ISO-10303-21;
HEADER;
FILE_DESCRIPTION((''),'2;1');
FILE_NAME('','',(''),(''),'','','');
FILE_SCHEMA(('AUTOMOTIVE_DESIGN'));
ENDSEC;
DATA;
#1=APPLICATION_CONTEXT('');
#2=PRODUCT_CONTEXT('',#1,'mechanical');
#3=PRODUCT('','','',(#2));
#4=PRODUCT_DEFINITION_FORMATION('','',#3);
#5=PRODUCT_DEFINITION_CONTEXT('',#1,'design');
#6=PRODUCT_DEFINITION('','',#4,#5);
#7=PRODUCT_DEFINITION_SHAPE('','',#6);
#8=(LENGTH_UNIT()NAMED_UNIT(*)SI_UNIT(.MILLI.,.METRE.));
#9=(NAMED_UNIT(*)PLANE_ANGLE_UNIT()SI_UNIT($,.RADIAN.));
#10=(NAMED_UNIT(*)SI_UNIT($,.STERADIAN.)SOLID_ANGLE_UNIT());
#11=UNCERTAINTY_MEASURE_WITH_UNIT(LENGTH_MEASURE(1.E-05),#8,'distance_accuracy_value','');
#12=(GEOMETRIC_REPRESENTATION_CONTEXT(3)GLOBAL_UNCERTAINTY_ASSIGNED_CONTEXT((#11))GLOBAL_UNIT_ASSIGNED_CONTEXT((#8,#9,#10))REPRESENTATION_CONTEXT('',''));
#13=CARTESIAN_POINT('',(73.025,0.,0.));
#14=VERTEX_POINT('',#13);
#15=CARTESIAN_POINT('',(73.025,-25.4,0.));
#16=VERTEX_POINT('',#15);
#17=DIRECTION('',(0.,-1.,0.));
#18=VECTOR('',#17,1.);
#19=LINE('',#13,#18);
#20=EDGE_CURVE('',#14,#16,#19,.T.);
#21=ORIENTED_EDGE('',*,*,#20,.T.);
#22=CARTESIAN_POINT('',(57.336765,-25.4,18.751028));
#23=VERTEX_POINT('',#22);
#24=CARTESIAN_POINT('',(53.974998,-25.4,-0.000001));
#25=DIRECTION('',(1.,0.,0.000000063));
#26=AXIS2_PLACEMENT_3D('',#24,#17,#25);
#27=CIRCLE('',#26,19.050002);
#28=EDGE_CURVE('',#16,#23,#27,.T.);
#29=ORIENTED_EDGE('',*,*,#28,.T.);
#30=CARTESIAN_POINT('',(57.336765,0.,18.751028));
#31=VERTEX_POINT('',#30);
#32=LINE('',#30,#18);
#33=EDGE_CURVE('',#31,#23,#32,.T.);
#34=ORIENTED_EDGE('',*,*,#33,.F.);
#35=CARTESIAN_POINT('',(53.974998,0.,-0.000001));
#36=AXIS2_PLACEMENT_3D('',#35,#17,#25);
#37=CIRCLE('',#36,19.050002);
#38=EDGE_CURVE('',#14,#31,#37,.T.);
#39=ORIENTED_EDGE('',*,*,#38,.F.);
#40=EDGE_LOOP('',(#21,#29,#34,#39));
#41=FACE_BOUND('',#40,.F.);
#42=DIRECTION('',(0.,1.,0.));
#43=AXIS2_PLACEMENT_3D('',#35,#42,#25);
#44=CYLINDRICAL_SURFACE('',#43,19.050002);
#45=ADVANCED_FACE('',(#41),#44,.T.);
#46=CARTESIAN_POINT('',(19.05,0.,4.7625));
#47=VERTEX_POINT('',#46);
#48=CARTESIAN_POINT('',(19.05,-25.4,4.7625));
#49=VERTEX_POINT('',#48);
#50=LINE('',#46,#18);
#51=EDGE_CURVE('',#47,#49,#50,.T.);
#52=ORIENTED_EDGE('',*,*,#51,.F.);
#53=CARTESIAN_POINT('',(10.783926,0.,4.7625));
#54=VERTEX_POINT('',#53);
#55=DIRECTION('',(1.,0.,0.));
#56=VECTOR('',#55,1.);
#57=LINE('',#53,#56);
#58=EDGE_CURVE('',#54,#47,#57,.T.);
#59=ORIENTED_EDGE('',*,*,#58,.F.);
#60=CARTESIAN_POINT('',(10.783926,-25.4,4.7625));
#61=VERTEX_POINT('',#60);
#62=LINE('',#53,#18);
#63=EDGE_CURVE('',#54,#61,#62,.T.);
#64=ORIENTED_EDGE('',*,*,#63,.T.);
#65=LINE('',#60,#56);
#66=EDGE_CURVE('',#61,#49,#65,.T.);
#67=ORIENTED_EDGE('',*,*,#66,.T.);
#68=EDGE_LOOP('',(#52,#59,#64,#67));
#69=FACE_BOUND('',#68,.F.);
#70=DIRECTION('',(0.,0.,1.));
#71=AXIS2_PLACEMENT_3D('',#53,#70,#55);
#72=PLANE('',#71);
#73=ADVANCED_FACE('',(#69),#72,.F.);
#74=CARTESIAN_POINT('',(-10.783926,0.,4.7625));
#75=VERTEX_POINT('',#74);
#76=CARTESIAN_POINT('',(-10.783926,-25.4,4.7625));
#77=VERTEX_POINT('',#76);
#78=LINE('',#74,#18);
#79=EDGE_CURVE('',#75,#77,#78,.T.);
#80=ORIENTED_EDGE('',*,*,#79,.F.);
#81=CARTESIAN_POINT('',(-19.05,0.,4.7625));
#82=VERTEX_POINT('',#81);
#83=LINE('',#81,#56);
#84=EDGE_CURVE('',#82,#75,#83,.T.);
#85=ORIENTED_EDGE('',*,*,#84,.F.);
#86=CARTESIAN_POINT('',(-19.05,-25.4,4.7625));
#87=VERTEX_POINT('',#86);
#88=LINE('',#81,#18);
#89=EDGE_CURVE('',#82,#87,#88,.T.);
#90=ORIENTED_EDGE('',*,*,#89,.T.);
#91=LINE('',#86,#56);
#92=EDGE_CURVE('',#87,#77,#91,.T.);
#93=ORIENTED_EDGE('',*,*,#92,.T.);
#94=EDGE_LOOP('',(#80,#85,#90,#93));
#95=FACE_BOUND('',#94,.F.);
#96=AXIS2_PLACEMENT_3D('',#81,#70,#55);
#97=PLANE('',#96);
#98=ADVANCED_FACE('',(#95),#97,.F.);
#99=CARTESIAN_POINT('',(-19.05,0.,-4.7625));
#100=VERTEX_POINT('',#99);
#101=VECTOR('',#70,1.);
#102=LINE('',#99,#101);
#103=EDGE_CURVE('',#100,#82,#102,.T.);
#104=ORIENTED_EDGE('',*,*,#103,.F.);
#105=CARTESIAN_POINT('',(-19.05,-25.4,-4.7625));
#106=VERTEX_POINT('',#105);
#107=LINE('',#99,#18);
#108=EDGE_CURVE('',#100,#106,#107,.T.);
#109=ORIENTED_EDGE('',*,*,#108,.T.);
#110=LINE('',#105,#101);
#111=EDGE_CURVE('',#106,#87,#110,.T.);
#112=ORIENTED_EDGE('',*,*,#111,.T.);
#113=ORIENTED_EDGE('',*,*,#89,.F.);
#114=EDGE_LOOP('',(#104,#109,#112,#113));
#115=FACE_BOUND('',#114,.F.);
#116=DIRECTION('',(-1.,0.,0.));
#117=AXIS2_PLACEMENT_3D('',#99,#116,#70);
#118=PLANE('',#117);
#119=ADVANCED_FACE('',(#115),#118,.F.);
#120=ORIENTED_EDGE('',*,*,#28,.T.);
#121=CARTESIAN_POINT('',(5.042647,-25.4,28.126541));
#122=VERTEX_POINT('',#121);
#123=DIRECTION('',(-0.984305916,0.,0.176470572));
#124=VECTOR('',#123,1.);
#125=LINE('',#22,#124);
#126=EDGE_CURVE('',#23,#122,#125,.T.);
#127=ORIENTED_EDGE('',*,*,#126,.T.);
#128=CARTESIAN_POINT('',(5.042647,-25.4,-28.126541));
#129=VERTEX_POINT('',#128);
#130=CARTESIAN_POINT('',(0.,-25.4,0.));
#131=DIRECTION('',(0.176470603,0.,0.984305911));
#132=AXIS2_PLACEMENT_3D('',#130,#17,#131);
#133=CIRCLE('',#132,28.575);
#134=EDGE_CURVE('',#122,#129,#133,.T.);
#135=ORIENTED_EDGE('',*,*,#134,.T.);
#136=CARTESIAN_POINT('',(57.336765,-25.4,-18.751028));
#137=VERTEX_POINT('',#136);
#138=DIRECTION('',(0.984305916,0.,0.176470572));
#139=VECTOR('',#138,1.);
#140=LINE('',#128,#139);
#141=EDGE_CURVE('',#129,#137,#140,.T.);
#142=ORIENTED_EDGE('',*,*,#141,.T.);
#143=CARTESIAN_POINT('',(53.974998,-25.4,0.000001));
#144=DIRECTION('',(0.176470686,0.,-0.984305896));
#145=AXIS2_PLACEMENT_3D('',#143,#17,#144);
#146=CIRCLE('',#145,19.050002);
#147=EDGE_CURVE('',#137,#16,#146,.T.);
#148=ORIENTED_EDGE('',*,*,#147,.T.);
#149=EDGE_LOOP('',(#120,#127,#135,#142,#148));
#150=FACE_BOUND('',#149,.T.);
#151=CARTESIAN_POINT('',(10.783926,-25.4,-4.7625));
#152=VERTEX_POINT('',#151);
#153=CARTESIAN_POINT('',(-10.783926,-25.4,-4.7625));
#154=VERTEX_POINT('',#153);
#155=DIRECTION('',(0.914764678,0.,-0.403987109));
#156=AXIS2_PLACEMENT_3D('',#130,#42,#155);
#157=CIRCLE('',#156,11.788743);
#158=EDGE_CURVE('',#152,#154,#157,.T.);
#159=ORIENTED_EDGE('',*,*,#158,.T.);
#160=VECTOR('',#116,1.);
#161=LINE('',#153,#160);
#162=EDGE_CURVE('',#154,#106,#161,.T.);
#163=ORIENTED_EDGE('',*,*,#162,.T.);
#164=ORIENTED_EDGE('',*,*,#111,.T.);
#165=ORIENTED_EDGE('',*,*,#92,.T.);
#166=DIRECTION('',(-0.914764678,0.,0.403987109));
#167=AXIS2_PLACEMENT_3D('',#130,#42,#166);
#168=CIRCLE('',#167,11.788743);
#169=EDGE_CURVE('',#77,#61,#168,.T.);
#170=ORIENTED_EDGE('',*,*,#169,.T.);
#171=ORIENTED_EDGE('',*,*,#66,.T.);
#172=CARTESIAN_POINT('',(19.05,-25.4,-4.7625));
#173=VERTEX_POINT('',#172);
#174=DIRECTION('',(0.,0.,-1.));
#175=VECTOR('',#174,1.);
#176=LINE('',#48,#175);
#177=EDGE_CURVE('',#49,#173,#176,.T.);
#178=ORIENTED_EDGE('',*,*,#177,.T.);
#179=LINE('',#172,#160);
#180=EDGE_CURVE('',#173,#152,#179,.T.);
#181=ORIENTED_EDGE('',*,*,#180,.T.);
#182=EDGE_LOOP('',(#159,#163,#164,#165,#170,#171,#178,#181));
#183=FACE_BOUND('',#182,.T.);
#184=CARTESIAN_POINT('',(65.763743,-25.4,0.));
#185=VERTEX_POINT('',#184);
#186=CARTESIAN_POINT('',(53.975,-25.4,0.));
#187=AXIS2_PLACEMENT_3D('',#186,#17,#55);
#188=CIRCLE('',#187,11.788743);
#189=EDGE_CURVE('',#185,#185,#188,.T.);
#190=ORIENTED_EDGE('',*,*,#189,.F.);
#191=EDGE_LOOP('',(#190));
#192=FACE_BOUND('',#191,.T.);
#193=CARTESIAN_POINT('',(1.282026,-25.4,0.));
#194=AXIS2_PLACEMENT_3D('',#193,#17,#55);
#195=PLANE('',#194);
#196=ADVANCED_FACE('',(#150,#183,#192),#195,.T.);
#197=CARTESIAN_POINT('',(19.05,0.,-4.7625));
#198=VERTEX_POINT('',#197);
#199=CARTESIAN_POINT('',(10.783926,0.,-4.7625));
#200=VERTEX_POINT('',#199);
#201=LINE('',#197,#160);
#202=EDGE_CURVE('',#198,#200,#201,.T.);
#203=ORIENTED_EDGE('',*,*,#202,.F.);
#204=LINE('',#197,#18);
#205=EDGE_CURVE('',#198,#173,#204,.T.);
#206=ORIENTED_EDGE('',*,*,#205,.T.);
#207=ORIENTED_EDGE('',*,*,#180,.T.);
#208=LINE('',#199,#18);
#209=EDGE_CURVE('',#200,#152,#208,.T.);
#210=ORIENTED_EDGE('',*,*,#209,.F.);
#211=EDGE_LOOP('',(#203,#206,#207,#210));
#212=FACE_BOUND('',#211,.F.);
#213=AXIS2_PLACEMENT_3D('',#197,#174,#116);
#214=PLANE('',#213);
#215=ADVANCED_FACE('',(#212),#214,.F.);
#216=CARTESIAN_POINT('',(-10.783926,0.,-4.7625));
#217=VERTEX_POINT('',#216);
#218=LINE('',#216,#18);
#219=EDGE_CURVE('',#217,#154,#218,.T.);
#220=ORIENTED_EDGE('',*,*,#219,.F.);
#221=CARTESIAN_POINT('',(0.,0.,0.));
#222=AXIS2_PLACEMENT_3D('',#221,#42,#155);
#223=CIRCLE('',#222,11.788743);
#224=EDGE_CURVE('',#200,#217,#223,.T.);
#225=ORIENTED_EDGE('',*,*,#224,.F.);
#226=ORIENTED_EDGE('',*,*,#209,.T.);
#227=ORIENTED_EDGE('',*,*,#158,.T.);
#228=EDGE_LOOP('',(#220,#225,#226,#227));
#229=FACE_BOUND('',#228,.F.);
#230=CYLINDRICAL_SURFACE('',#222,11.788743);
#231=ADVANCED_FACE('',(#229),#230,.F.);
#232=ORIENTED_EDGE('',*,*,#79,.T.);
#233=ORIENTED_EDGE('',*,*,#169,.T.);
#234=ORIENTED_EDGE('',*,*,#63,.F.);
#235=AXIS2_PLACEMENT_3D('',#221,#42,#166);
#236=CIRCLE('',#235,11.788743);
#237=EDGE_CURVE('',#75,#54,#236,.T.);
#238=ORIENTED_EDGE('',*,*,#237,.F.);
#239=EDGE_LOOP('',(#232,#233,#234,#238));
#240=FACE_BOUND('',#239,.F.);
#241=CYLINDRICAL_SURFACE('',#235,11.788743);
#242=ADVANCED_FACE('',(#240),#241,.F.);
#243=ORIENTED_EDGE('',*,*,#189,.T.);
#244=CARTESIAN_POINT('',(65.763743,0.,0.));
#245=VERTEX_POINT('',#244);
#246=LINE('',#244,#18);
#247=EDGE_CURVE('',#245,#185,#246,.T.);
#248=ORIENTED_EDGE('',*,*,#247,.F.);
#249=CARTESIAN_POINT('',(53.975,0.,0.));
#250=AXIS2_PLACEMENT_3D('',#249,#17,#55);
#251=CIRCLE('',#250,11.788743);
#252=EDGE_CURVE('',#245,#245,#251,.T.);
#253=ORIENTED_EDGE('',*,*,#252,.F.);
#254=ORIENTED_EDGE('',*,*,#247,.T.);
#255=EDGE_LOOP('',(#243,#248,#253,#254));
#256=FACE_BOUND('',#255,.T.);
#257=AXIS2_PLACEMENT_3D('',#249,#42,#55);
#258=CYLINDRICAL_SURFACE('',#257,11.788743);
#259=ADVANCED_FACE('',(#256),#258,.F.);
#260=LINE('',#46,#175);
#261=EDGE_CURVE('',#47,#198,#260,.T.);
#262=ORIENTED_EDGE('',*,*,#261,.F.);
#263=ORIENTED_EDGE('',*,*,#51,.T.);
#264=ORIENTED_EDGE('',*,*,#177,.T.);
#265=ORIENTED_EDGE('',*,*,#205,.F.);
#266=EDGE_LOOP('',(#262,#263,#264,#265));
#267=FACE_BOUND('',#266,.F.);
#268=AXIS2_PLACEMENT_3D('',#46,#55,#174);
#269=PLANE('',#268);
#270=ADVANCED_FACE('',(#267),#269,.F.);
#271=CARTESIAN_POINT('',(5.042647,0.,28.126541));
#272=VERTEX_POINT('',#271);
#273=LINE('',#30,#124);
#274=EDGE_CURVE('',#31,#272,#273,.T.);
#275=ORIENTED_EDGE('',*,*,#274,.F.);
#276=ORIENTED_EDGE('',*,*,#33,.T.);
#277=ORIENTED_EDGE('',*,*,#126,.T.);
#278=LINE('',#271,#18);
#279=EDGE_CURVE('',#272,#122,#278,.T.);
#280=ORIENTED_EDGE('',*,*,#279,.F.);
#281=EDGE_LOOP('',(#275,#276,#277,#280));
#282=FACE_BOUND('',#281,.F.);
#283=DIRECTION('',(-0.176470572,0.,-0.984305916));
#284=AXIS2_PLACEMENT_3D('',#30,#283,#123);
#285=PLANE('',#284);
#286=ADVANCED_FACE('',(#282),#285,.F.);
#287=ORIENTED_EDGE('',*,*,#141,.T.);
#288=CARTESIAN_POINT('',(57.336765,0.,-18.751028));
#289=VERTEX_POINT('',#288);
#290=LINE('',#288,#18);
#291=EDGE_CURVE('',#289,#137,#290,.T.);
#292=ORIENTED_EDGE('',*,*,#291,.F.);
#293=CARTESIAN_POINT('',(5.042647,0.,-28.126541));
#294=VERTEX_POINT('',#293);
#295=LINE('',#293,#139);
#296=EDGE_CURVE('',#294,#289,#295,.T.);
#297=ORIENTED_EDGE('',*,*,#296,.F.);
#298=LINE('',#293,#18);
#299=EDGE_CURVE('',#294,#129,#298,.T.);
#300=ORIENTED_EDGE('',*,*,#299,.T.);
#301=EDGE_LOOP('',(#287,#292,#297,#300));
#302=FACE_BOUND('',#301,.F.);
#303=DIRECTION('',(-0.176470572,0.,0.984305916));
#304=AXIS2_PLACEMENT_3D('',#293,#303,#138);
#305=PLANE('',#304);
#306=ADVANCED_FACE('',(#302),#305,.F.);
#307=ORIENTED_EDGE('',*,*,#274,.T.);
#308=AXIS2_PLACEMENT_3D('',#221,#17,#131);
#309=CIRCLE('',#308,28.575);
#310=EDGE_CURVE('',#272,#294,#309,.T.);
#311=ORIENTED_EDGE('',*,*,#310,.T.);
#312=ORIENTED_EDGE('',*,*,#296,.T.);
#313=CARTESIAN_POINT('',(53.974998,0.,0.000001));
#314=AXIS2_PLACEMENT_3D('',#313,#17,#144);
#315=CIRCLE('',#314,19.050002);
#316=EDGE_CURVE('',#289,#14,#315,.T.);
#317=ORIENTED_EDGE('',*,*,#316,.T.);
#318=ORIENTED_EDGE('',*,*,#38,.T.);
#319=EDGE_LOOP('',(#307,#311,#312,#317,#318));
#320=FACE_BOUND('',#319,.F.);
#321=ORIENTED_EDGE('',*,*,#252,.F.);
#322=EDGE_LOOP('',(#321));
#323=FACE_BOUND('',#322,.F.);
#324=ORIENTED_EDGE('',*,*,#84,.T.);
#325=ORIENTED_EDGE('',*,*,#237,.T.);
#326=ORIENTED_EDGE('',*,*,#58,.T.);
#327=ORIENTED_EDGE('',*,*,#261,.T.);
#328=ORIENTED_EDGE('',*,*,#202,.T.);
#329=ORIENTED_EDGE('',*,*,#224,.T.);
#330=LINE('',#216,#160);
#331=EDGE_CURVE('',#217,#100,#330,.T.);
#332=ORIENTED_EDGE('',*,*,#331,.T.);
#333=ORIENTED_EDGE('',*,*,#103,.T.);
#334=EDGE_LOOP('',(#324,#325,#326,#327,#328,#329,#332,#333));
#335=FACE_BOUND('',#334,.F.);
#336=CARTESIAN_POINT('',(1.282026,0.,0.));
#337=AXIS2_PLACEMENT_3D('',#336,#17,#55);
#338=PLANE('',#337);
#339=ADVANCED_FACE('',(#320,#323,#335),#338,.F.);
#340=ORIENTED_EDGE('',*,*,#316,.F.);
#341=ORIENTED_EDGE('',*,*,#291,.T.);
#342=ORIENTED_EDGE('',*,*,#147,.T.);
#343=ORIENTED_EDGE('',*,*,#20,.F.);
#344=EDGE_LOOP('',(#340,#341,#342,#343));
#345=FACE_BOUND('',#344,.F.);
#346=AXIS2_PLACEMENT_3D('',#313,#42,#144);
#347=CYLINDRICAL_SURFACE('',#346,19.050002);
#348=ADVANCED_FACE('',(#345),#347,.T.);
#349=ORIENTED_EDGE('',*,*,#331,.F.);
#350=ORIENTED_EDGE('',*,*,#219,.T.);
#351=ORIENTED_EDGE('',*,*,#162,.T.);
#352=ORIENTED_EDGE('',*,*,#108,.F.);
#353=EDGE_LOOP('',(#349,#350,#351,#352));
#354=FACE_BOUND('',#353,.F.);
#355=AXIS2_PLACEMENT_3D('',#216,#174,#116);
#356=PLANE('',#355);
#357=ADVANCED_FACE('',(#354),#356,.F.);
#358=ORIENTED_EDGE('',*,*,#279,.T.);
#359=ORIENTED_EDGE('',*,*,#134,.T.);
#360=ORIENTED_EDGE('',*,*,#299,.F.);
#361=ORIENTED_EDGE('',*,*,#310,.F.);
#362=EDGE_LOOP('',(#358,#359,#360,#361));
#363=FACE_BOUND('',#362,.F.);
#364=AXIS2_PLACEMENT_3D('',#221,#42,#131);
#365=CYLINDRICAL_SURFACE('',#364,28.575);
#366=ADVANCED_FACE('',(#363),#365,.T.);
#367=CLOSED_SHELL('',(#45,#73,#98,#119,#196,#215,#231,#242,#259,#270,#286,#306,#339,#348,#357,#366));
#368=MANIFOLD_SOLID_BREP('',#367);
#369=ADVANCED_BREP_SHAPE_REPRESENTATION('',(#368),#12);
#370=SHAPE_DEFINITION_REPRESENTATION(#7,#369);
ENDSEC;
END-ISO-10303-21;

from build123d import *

# Parameters (mm, degrees)
F0_R     = 11.788743
F1_DEPTH = 25.4


with BuildPart() as f1:
    # F0 (on Front) → F1 (new body)
    with BuildSketch(Plane.XZ):
        with BuildLine():
            ThreePointArc((5.042647, -28.126541), (21.916025, -18.336262), (28.575, 0))
            ThreePointArc((28.575, 0), (21.916025, 18.336262), (5.042647, 28.126541))
            ThreePointArc((5.042647, 28.126541), (-28.575, 0), (5.042647, -28.126541))
        make_face()
        with BuildLine():
            ThreePointArc((-10.783926, 4.7625), (0, 11.788743), (10.783926, 4.7625))
            Line((10.783926, 4.7625), (19.05, 4.7625))
            Line((19.05, 4.7625), (19.05, -4.7625))
            Line((19.05, -4.7625), (10.783926, -4.7625))
            ThreePointArc((10.783926, -4.7625), (0, -11.788743), (-10.783926, -4.7625))
            Line((-10.783926, -4.7625), (-19.05, -4.7625))
            Line((-19.05, -4.7625), (-19.05, 4.7625))
            Line((-19.05, 4.7625), (-10.783926, 4.7625))
        make_face(mode=Mode.SUBTRACT)
        with BuildLine():
            ThreePointArc((5.042647, 28.126541), (21.916025, 18.336262), (28.575, 0))
            ThreePointArc((28.575, 0), (21.916025, -18.336262), (5.042647, -28.126541))
            Line((5.042647, -28.126541), (57.336765, -18.751028))
            ThreePointArc((57.336765, -18.751028), (34.925, 0), (57.336765, 18.751028))
            Line((57.336765, 18.751028), (5.042647, 28.126541))
        make_face()
        with BuildLine():
            ThreePointArc((73.025, 0), (68.585683, 12.224174), (57.336765, 18.751028))
            ThreePointArc((57.336765, 18.751028), (34.925, 0), (57.336765, -18.751028))
            ThreePointArc((57.336765, -18.751028), (68.585683, -12.224174), (73.025, 0))
        make_face()
        with Locations((53.975, 0)):
            Circle(F0_R, mode=Mode.SUBTRACT)
    extrude(amount=F1_DEPTH)


solid = f1.part
